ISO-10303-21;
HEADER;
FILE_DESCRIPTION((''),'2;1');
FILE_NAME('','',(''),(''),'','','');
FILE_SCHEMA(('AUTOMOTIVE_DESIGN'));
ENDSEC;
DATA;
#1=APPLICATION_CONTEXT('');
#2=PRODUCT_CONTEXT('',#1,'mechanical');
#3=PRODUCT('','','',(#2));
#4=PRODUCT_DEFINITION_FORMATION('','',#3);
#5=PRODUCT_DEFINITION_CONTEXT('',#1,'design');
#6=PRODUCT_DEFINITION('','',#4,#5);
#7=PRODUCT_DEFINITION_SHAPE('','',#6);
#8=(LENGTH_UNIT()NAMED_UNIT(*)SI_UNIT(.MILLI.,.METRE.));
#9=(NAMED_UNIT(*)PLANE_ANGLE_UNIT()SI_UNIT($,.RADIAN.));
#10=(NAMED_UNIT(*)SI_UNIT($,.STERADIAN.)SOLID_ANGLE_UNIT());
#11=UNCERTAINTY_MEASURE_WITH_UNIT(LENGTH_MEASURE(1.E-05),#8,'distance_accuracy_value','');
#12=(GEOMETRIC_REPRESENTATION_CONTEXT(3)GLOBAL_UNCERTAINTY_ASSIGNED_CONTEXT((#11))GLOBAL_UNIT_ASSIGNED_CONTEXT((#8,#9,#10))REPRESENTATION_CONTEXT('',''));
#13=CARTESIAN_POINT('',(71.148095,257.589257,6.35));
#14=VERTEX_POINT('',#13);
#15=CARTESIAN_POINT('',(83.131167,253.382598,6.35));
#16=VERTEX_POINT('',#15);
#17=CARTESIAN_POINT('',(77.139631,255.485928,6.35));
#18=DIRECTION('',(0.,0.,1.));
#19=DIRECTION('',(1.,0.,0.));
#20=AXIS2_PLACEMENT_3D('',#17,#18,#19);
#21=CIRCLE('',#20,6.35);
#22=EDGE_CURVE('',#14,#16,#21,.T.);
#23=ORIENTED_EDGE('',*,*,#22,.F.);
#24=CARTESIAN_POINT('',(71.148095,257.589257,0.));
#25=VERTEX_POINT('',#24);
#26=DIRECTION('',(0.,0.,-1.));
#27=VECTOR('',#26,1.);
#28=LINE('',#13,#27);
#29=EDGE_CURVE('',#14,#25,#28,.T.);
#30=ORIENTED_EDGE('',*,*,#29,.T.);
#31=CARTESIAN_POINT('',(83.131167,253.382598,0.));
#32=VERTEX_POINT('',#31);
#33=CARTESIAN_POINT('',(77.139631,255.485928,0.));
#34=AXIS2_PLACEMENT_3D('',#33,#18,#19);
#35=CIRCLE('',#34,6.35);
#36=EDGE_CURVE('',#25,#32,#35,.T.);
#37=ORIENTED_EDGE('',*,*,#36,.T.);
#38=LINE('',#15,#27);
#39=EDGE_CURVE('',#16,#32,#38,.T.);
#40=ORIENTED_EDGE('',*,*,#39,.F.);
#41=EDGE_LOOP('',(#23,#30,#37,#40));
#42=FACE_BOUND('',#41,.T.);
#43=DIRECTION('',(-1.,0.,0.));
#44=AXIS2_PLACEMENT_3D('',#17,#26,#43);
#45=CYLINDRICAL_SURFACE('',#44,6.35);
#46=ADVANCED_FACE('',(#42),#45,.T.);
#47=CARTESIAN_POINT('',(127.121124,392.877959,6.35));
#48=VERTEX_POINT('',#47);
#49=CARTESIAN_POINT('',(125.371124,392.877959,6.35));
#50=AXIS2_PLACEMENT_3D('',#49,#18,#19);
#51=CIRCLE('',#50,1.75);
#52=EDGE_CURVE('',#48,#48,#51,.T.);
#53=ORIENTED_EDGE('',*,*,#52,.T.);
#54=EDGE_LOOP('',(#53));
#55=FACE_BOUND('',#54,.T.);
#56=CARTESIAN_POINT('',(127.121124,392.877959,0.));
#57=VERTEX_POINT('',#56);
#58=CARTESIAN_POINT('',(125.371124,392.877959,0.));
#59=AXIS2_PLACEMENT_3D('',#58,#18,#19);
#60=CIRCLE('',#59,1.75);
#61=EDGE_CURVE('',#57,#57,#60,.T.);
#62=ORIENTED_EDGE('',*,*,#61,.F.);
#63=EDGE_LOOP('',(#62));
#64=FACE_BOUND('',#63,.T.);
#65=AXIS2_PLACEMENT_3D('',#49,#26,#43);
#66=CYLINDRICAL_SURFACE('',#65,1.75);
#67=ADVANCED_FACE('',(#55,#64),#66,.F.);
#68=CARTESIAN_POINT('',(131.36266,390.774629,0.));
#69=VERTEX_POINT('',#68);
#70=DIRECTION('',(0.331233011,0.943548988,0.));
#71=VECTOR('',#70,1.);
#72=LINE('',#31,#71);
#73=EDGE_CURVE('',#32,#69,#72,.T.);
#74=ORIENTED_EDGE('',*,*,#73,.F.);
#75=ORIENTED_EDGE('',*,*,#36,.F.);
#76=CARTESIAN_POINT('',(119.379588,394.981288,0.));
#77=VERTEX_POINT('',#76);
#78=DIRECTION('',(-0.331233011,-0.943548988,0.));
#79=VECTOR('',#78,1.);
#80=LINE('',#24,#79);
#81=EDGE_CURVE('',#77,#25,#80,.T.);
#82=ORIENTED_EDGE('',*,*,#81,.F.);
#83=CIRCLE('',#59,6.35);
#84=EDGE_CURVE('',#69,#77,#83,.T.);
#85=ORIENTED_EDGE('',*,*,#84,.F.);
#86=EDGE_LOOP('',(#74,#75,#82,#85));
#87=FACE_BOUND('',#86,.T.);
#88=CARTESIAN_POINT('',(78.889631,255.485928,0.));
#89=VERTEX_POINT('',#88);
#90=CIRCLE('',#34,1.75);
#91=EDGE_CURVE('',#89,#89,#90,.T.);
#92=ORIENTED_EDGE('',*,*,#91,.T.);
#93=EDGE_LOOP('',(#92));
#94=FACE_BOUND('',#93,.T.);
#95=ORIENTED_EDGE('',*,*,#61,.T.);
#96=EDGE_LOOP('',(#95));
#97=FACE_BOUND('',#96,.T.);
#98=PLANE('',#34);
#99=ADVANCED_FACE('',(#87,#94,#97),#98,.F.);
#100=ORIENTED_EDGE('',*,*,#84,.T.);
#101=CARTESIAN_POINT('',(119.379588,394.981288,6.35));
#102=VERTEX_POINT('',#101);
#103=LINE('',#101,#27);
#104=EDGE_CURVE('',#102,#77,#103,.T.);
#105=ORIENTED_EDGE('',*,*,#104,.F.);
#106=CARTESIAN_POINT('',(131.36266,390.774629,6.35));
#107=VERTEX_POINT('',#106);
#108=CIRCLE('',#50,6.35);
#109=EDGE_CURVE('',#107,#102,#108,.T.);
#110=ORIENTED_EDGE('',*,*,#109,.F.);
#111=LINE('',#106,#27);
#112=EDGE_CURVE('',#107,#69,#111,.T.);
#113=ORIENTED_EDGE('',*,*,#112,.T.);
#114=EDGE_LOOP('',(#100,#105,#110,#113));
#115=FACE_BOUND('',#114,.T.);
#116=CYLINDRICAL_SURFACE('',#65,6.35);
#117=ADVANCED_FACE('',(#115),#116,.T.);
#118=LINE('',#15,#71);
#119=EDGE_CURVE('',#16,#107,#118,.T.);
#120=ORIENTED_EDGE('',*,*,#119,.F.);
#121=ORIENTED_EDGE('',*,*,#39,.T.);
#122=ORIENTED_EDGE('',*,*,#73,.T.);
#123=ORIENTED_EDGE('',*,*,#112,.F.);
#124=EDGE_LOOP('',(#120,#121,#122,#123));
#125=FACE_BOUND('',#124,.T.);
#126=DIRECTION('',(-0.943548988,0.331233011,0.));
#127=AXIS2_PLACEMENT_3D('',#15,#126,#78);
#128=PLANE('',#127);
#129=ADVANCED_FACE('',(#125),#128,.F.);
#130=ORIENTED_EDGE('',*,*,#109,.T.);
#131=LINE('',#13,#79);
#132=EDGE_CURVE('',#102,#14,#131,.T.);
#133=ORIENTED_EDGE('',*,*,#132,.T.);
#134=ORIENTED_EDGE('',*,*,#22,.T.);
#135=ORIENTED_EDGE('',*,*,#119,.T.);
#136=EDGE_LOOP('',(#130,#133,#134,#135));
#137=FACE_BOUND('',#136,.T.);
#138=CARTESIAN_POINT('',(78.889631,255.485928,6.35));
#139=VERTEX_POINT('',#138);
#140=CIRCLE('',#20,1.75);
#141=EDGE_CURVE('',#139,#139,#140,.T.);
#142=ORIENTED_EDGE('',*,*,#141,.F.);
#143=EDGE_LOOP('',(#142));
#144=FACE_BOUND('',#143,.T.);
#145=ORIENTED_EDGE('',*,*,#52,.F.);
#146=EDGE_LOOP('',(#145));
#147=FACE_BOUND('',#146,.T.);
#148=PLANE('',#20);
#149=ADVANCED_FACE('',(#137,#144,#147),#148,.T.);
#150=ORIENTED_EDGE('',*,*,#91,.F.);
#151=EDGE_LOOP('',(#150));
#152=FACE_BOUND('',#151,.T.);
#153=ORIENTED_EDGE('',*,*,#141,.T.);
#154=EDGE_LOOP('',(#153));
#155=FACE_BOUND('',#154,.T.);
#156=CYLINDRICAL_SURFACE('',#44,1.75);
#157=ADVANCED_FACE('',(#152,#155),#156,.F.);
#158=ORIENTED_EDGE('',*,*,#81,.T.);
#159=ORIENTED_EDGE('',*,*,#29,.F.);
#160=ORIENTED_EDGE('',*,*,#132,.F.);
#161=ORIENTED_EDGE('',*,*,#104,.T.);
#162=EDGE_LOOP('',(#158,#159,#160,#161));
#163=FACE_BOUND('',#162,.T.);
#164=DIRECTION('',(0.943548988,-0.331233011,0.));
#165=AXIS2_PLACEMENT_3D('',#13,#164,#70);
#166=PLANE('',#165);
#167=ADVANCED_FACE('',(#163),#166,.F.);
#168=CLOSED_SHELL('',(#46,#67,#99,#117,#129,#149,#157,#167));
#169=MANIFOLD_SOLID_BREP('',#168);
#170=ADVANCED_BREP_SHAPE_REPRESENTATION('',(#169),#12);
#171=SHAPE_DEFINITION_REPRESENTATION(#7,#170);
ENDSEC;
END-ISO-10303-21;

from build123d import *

# Parameters (mm, degrees)
SKETCH3_R           = 1.75
BOSS_EXTRUDE1_DEPTH = 6.35


with BuildPart() as part:
    # Sketch3 → Boss-Extrude1 (new body)
    with BuildSketch(Plane.XY):
        with BuildLine():
            Line((71.148095027, 257.589257462), (119.379587764, 394.981288438))
            ThreePointArc((119.379587764, 394.981288438), (127.474453458, 398.869494889), (131.362659908, 390.774629195))
            Line((131.362659908, 390.774629195), (83.131167171, 253.382598219))
            ThreePointArc((83.131167171, 253.382598219), (75.036301477, 249.494391769), (71.148095027, 257.589257462))
        make_face()
        with Locations((77.139631099, 255.485927841)):
            Circle(SKETCH3_R, mode=Mode.SUBTRACT)
        with Locations((125.371123836, 392.877958817)):
            Circle(SKETCH3_R, mode=Mode.SUBTRACT)
    extrude(amount=BOSS_EXTRUDE1_DEPTH)


solid = part.part
